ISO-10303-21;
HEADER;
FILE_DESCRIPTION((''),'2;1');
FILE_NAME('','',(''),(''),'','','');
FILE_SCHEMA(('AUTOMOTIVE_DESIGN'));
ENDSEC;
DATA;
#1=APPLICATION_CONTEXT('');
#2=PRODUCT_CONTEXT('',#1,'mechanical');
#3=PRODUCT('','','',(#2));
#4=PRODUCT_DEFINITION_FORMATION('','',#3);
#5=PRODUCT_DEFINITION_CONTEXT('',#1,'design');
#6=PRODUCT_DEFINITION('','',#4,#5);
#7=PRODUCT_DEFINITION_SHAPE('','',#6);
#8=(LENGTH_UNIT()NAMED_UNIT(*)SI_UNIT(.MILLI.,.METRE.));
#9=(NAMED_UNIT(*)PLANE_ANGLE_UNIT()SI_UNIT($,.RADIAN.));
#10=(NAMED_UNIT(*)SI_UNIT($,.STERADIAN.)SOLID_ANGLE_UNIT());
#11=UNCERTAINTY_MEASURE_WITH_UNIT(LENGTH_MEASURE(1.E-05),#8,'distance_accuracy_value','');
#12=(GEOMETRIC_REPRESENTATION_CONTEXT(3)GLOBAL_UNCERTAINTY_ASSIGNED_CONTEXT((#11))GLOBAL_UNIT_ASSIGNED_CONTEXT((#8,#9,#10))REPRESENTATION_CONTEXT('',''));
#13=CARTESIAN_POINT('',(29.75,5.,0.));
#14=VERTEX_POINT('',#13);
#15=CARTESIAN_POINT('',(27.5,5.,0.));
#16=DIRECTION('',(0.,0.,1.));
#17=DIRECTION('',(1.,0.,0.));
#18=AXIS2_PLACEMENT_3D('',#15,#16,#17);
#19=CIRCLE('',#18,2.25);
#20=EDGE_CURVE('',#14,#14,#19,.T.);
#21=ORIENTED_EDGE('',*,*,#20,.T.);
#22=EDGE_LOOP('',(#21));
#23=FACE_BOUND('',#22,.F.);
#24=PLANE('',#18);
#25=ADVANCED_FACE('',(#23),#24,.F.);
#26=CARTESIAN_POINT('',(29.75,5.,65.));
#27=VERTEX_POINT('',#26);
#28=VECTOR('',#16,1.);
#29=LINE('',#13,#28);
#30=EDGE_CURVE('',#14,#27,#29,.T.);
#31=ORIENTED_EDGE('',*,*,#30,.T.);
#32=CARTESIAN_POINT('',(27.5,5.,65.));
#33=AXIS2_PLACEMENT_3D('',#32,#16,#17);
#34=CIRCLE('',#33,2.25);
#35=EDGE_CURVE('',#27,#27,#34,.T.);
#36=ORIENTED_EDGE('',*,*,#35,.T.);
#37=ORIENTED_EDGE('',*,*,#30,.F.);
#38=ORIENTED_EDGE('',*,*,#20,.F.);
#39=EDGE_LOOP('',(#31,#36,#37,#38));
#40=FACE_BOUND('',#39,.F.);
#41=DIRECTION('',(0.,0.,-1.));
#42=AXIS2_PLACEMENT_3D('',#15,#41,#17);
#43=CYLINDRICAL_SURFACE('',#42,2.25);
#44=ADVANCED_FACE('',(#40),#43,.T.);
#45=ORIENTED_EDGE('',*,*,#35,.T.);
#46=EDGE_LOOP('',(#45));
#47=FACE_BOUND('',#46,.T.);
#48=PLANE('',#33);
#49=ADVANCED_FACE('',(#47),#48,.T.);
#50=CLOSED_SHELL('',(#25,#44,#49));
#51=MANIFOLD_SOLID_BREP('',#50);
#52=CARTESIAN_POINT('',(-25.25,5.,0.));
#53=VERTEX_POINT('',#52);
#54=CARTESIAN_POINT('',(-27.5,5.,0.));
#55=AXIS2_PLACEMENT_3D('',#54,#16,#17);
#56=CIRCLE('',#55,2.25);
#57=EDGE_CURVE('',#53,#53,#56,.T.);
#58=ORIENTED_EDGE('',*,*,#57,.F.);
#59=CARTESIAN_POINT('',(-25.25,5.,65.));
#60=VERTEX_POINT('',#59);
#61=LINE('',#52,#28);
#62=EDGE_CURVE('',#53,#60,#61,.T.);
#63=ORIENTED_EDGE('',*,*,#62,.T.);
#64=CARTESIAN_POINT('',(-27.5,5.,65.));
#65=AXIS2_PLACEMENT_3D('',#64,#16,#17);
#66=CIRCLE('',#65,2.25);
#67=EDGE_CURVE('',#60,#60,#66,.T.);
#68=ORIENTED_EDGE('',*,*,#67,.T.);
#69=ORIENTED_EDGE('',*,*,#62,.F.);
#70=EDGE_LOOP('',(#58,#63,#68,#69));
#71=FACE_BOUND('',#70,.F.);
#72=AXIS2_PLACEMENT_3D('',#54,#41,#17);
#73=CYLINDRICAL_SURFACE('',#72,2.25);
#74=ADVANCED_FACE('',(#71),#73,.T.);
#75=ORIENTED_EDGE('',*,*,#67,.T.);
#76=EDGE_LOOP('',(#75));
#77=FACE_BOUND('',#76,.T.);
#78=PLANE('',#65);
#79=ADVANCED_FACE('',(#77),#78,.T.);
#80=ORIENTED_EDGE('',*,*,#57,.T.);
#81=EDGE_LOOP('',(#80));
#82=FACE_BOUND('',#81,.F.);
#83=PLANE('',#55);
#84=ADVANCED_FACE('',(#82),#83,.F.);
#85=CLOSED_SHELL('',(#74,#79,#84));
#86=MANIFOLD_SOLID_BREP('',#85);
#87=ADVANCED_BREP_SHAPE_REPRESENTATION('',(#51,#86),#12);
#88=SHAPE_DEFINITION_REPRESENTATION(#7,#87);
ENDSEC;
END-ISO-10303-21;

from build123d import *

# Parameters (mm, degrees)
CYLINDER009_R     = 2.25
CYLINDER009_DEPTH = 65
CYLINDER008_R     = 2.25
CYLINDER008_DEPTH = 65


with BuildPart() as cylinder009:
    # Cylinder009 → Cylinder009 (new body)
    with BuildSketch(Plane(origin=(-27.5, 5, 0), x_dir=(1, 0, 0), z_dir=(0, 0, 1))):
        Circle(CYLINDER009_R)
    extrude(amount=CYLINDER009_DEPTH)


with BuildPart() as fusion005:
    # Cylinder008 → Cylinder008 (new body)
    with BuildSketch(Plane(origin=(27.5, 5, 0), x_dir=(1, 0, 0), z_dir=(0, 0, 1))):
        Circle(CYLINDER008_R)
    extrude(amount=CYLINDER008_DEPTH)

    # Fusion005: union Cylinder009
    add(cylinder009.part)


solid = fusion005.part
